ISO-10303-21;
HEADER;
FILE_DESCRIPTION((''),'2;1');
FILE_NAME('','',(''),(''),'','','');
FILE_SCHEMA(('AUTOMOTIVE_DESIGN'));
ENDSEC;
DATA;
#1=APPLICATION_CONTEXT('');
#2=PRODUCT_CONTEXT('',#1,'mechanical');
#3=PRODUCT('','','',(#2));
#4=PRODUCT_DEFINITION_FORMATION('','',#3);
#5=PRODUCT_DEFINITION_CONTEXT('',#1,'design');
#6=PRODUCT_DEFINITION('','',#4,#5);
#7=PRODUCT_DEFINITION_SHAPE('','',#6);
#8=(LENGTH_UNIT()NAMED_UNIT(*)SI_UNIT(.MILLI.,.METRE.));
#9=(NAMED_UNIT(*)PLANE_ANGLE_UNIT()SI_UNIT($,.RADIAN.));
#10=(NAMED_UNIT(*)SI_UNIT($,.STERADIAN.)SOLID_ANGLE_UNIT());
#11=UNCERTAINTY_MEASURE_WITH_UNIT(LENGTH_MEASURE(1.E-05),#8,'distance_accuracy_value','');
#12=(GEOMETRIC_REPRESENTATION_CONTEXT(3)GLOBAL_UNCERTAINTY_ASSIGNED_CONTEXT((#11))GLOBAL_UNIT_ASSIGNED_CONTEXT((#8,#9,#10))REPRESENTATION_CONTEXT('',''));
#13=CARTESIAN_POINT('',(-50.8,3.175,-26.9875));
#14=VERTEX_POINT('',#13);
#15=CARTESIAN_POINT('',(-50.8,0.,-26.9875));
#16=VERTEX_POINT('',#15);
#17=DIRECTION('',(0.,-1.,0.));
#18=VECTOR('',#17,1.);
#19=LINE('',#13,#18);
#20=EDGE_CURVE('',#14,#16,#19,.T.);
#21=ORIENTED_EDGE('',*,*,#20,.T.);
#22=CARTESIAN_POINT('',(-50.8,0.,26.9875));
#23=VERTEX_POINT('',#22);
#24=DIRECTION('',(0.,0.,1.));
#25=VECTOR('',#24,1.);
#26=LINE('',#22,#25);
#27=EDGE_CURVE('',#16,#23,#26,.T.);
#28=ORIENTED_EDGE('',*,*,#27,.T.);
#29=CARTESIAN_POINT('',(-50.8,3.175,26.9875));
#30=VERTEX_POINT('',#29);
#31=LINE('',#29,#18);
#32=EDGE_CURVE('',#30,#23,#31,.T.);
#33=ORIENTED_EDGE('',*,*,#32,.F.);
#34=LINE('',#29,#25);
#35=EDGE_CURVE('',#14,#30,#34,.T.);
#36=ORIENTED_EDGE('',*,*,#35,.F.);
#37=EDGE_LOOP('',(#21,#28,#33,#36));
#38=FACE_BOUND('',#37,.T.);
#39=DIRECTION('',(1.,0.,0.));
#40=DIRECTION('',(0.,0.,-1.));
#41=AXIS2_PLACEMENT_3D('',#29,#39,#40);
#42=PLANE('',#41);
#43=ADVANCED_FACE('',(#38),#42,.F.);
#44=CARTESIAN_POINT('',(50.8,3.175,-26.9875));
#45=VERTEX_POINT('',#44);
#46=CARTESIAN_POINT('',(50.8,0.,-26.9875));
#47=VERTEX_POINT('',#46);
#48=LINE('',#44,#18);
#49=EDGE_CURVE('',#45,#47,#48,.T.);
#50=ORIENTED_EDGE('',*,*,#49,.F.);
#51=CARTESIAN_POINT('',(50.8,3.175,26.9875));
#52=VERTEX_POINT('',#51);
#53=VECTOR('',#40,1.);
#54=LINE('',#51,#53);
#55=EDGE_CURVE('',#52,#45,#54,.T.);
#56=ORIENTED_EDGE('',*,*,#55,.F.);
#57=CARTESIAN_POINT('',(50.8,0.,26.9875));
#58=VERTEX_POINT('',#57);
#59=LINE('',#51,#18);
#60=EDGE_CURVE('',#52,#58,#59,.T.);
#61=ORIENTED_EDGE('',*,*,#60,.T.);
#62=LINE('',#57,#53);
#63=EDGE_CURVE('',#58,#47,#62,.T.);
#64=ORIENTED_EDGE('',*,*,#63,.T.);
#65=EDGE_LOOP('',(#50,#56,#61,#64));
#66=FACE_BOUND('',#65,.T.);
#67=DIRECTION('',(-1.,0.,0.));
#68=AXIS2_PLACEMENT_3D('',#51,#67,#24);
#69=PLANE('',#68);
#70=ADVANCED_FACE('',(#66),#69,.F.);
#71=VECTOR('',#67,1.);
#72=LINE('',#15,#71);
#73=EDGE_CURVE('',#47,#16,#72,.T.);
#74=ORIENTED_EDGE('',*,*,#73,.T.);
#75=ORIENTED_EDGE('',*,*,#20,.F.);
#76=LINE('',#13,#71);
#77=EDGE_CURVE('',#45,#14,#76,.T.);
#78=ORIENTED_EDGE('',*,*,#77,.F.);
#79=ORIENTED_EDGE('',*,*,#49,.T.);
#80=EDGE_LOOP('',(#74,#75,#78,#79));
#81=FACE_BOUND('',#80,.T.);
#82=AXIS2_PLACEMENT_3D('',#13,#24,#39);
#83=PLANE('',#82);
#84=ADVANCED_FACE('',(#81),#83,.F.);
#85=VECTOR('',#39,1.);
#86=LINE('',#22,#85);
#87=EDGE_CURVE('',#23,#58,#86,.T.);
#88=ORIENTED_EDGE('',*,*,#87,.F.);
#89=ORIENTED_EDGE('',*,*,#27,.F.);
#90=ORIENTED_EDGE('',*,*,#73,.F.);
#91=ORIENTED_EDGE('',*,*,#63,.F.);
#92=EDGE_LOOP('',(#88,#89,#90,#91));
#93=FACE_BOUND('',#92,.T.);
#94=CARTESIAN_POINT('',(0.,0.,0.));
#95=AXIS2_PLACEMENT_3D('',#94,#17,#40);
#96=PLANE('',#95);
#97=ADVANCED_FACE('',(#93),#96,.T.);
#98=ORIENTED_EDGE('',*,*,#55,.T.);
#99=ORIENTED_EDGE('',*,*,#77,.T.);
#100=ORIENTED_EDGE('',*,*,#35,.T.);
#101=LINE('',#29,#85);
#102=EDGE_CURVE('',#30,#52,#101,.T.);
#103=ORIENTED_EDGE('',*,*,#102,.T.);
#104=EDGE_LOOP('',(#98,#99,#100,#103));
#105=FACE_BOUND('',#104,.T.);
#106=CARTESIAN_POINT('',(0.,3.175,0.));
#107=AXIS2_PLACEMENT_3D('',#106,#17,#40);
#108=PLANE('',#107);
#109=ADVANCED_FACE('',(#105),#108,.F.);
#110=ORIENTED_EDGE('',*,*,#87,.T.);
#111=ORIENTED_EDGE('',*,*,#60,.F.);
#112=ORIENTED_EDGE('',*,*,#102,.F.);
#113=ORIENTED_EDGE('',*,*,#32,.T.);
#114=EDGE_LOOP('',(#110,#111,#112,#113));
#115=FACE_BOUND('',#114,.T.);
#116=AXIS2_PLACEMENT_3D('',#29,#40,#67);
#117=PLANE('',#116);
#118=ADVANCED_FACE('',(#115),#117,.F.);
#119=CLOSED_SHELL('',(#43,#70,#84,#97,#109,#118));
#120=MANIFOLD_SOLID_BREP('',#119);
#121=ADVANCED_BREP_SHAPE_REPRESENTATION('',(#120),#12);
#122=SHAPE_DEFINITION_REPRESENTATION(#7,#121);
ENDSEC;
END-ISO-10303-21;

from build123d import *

# Parameters (mm, degrees)
SKETCH1_W           = 101.6
SKETCH1_H           = 53.975
BOSS_EXTRUDE1_DEPTH = 3.175


with BuildPart() as part:
    # Sketch1 → Boss-Extrude1 (new body)
    with BuildSketch(Plane(origin=(0, 0, 0), x_dir=(1, 0, 0), z_dir=(0, 1, 0))):
        Rectangle(SKETCH1_W, SKETCH1_H)
    extrude(amount=BOSS_EXTRUDE1_DEPTH)


solid = part.part
